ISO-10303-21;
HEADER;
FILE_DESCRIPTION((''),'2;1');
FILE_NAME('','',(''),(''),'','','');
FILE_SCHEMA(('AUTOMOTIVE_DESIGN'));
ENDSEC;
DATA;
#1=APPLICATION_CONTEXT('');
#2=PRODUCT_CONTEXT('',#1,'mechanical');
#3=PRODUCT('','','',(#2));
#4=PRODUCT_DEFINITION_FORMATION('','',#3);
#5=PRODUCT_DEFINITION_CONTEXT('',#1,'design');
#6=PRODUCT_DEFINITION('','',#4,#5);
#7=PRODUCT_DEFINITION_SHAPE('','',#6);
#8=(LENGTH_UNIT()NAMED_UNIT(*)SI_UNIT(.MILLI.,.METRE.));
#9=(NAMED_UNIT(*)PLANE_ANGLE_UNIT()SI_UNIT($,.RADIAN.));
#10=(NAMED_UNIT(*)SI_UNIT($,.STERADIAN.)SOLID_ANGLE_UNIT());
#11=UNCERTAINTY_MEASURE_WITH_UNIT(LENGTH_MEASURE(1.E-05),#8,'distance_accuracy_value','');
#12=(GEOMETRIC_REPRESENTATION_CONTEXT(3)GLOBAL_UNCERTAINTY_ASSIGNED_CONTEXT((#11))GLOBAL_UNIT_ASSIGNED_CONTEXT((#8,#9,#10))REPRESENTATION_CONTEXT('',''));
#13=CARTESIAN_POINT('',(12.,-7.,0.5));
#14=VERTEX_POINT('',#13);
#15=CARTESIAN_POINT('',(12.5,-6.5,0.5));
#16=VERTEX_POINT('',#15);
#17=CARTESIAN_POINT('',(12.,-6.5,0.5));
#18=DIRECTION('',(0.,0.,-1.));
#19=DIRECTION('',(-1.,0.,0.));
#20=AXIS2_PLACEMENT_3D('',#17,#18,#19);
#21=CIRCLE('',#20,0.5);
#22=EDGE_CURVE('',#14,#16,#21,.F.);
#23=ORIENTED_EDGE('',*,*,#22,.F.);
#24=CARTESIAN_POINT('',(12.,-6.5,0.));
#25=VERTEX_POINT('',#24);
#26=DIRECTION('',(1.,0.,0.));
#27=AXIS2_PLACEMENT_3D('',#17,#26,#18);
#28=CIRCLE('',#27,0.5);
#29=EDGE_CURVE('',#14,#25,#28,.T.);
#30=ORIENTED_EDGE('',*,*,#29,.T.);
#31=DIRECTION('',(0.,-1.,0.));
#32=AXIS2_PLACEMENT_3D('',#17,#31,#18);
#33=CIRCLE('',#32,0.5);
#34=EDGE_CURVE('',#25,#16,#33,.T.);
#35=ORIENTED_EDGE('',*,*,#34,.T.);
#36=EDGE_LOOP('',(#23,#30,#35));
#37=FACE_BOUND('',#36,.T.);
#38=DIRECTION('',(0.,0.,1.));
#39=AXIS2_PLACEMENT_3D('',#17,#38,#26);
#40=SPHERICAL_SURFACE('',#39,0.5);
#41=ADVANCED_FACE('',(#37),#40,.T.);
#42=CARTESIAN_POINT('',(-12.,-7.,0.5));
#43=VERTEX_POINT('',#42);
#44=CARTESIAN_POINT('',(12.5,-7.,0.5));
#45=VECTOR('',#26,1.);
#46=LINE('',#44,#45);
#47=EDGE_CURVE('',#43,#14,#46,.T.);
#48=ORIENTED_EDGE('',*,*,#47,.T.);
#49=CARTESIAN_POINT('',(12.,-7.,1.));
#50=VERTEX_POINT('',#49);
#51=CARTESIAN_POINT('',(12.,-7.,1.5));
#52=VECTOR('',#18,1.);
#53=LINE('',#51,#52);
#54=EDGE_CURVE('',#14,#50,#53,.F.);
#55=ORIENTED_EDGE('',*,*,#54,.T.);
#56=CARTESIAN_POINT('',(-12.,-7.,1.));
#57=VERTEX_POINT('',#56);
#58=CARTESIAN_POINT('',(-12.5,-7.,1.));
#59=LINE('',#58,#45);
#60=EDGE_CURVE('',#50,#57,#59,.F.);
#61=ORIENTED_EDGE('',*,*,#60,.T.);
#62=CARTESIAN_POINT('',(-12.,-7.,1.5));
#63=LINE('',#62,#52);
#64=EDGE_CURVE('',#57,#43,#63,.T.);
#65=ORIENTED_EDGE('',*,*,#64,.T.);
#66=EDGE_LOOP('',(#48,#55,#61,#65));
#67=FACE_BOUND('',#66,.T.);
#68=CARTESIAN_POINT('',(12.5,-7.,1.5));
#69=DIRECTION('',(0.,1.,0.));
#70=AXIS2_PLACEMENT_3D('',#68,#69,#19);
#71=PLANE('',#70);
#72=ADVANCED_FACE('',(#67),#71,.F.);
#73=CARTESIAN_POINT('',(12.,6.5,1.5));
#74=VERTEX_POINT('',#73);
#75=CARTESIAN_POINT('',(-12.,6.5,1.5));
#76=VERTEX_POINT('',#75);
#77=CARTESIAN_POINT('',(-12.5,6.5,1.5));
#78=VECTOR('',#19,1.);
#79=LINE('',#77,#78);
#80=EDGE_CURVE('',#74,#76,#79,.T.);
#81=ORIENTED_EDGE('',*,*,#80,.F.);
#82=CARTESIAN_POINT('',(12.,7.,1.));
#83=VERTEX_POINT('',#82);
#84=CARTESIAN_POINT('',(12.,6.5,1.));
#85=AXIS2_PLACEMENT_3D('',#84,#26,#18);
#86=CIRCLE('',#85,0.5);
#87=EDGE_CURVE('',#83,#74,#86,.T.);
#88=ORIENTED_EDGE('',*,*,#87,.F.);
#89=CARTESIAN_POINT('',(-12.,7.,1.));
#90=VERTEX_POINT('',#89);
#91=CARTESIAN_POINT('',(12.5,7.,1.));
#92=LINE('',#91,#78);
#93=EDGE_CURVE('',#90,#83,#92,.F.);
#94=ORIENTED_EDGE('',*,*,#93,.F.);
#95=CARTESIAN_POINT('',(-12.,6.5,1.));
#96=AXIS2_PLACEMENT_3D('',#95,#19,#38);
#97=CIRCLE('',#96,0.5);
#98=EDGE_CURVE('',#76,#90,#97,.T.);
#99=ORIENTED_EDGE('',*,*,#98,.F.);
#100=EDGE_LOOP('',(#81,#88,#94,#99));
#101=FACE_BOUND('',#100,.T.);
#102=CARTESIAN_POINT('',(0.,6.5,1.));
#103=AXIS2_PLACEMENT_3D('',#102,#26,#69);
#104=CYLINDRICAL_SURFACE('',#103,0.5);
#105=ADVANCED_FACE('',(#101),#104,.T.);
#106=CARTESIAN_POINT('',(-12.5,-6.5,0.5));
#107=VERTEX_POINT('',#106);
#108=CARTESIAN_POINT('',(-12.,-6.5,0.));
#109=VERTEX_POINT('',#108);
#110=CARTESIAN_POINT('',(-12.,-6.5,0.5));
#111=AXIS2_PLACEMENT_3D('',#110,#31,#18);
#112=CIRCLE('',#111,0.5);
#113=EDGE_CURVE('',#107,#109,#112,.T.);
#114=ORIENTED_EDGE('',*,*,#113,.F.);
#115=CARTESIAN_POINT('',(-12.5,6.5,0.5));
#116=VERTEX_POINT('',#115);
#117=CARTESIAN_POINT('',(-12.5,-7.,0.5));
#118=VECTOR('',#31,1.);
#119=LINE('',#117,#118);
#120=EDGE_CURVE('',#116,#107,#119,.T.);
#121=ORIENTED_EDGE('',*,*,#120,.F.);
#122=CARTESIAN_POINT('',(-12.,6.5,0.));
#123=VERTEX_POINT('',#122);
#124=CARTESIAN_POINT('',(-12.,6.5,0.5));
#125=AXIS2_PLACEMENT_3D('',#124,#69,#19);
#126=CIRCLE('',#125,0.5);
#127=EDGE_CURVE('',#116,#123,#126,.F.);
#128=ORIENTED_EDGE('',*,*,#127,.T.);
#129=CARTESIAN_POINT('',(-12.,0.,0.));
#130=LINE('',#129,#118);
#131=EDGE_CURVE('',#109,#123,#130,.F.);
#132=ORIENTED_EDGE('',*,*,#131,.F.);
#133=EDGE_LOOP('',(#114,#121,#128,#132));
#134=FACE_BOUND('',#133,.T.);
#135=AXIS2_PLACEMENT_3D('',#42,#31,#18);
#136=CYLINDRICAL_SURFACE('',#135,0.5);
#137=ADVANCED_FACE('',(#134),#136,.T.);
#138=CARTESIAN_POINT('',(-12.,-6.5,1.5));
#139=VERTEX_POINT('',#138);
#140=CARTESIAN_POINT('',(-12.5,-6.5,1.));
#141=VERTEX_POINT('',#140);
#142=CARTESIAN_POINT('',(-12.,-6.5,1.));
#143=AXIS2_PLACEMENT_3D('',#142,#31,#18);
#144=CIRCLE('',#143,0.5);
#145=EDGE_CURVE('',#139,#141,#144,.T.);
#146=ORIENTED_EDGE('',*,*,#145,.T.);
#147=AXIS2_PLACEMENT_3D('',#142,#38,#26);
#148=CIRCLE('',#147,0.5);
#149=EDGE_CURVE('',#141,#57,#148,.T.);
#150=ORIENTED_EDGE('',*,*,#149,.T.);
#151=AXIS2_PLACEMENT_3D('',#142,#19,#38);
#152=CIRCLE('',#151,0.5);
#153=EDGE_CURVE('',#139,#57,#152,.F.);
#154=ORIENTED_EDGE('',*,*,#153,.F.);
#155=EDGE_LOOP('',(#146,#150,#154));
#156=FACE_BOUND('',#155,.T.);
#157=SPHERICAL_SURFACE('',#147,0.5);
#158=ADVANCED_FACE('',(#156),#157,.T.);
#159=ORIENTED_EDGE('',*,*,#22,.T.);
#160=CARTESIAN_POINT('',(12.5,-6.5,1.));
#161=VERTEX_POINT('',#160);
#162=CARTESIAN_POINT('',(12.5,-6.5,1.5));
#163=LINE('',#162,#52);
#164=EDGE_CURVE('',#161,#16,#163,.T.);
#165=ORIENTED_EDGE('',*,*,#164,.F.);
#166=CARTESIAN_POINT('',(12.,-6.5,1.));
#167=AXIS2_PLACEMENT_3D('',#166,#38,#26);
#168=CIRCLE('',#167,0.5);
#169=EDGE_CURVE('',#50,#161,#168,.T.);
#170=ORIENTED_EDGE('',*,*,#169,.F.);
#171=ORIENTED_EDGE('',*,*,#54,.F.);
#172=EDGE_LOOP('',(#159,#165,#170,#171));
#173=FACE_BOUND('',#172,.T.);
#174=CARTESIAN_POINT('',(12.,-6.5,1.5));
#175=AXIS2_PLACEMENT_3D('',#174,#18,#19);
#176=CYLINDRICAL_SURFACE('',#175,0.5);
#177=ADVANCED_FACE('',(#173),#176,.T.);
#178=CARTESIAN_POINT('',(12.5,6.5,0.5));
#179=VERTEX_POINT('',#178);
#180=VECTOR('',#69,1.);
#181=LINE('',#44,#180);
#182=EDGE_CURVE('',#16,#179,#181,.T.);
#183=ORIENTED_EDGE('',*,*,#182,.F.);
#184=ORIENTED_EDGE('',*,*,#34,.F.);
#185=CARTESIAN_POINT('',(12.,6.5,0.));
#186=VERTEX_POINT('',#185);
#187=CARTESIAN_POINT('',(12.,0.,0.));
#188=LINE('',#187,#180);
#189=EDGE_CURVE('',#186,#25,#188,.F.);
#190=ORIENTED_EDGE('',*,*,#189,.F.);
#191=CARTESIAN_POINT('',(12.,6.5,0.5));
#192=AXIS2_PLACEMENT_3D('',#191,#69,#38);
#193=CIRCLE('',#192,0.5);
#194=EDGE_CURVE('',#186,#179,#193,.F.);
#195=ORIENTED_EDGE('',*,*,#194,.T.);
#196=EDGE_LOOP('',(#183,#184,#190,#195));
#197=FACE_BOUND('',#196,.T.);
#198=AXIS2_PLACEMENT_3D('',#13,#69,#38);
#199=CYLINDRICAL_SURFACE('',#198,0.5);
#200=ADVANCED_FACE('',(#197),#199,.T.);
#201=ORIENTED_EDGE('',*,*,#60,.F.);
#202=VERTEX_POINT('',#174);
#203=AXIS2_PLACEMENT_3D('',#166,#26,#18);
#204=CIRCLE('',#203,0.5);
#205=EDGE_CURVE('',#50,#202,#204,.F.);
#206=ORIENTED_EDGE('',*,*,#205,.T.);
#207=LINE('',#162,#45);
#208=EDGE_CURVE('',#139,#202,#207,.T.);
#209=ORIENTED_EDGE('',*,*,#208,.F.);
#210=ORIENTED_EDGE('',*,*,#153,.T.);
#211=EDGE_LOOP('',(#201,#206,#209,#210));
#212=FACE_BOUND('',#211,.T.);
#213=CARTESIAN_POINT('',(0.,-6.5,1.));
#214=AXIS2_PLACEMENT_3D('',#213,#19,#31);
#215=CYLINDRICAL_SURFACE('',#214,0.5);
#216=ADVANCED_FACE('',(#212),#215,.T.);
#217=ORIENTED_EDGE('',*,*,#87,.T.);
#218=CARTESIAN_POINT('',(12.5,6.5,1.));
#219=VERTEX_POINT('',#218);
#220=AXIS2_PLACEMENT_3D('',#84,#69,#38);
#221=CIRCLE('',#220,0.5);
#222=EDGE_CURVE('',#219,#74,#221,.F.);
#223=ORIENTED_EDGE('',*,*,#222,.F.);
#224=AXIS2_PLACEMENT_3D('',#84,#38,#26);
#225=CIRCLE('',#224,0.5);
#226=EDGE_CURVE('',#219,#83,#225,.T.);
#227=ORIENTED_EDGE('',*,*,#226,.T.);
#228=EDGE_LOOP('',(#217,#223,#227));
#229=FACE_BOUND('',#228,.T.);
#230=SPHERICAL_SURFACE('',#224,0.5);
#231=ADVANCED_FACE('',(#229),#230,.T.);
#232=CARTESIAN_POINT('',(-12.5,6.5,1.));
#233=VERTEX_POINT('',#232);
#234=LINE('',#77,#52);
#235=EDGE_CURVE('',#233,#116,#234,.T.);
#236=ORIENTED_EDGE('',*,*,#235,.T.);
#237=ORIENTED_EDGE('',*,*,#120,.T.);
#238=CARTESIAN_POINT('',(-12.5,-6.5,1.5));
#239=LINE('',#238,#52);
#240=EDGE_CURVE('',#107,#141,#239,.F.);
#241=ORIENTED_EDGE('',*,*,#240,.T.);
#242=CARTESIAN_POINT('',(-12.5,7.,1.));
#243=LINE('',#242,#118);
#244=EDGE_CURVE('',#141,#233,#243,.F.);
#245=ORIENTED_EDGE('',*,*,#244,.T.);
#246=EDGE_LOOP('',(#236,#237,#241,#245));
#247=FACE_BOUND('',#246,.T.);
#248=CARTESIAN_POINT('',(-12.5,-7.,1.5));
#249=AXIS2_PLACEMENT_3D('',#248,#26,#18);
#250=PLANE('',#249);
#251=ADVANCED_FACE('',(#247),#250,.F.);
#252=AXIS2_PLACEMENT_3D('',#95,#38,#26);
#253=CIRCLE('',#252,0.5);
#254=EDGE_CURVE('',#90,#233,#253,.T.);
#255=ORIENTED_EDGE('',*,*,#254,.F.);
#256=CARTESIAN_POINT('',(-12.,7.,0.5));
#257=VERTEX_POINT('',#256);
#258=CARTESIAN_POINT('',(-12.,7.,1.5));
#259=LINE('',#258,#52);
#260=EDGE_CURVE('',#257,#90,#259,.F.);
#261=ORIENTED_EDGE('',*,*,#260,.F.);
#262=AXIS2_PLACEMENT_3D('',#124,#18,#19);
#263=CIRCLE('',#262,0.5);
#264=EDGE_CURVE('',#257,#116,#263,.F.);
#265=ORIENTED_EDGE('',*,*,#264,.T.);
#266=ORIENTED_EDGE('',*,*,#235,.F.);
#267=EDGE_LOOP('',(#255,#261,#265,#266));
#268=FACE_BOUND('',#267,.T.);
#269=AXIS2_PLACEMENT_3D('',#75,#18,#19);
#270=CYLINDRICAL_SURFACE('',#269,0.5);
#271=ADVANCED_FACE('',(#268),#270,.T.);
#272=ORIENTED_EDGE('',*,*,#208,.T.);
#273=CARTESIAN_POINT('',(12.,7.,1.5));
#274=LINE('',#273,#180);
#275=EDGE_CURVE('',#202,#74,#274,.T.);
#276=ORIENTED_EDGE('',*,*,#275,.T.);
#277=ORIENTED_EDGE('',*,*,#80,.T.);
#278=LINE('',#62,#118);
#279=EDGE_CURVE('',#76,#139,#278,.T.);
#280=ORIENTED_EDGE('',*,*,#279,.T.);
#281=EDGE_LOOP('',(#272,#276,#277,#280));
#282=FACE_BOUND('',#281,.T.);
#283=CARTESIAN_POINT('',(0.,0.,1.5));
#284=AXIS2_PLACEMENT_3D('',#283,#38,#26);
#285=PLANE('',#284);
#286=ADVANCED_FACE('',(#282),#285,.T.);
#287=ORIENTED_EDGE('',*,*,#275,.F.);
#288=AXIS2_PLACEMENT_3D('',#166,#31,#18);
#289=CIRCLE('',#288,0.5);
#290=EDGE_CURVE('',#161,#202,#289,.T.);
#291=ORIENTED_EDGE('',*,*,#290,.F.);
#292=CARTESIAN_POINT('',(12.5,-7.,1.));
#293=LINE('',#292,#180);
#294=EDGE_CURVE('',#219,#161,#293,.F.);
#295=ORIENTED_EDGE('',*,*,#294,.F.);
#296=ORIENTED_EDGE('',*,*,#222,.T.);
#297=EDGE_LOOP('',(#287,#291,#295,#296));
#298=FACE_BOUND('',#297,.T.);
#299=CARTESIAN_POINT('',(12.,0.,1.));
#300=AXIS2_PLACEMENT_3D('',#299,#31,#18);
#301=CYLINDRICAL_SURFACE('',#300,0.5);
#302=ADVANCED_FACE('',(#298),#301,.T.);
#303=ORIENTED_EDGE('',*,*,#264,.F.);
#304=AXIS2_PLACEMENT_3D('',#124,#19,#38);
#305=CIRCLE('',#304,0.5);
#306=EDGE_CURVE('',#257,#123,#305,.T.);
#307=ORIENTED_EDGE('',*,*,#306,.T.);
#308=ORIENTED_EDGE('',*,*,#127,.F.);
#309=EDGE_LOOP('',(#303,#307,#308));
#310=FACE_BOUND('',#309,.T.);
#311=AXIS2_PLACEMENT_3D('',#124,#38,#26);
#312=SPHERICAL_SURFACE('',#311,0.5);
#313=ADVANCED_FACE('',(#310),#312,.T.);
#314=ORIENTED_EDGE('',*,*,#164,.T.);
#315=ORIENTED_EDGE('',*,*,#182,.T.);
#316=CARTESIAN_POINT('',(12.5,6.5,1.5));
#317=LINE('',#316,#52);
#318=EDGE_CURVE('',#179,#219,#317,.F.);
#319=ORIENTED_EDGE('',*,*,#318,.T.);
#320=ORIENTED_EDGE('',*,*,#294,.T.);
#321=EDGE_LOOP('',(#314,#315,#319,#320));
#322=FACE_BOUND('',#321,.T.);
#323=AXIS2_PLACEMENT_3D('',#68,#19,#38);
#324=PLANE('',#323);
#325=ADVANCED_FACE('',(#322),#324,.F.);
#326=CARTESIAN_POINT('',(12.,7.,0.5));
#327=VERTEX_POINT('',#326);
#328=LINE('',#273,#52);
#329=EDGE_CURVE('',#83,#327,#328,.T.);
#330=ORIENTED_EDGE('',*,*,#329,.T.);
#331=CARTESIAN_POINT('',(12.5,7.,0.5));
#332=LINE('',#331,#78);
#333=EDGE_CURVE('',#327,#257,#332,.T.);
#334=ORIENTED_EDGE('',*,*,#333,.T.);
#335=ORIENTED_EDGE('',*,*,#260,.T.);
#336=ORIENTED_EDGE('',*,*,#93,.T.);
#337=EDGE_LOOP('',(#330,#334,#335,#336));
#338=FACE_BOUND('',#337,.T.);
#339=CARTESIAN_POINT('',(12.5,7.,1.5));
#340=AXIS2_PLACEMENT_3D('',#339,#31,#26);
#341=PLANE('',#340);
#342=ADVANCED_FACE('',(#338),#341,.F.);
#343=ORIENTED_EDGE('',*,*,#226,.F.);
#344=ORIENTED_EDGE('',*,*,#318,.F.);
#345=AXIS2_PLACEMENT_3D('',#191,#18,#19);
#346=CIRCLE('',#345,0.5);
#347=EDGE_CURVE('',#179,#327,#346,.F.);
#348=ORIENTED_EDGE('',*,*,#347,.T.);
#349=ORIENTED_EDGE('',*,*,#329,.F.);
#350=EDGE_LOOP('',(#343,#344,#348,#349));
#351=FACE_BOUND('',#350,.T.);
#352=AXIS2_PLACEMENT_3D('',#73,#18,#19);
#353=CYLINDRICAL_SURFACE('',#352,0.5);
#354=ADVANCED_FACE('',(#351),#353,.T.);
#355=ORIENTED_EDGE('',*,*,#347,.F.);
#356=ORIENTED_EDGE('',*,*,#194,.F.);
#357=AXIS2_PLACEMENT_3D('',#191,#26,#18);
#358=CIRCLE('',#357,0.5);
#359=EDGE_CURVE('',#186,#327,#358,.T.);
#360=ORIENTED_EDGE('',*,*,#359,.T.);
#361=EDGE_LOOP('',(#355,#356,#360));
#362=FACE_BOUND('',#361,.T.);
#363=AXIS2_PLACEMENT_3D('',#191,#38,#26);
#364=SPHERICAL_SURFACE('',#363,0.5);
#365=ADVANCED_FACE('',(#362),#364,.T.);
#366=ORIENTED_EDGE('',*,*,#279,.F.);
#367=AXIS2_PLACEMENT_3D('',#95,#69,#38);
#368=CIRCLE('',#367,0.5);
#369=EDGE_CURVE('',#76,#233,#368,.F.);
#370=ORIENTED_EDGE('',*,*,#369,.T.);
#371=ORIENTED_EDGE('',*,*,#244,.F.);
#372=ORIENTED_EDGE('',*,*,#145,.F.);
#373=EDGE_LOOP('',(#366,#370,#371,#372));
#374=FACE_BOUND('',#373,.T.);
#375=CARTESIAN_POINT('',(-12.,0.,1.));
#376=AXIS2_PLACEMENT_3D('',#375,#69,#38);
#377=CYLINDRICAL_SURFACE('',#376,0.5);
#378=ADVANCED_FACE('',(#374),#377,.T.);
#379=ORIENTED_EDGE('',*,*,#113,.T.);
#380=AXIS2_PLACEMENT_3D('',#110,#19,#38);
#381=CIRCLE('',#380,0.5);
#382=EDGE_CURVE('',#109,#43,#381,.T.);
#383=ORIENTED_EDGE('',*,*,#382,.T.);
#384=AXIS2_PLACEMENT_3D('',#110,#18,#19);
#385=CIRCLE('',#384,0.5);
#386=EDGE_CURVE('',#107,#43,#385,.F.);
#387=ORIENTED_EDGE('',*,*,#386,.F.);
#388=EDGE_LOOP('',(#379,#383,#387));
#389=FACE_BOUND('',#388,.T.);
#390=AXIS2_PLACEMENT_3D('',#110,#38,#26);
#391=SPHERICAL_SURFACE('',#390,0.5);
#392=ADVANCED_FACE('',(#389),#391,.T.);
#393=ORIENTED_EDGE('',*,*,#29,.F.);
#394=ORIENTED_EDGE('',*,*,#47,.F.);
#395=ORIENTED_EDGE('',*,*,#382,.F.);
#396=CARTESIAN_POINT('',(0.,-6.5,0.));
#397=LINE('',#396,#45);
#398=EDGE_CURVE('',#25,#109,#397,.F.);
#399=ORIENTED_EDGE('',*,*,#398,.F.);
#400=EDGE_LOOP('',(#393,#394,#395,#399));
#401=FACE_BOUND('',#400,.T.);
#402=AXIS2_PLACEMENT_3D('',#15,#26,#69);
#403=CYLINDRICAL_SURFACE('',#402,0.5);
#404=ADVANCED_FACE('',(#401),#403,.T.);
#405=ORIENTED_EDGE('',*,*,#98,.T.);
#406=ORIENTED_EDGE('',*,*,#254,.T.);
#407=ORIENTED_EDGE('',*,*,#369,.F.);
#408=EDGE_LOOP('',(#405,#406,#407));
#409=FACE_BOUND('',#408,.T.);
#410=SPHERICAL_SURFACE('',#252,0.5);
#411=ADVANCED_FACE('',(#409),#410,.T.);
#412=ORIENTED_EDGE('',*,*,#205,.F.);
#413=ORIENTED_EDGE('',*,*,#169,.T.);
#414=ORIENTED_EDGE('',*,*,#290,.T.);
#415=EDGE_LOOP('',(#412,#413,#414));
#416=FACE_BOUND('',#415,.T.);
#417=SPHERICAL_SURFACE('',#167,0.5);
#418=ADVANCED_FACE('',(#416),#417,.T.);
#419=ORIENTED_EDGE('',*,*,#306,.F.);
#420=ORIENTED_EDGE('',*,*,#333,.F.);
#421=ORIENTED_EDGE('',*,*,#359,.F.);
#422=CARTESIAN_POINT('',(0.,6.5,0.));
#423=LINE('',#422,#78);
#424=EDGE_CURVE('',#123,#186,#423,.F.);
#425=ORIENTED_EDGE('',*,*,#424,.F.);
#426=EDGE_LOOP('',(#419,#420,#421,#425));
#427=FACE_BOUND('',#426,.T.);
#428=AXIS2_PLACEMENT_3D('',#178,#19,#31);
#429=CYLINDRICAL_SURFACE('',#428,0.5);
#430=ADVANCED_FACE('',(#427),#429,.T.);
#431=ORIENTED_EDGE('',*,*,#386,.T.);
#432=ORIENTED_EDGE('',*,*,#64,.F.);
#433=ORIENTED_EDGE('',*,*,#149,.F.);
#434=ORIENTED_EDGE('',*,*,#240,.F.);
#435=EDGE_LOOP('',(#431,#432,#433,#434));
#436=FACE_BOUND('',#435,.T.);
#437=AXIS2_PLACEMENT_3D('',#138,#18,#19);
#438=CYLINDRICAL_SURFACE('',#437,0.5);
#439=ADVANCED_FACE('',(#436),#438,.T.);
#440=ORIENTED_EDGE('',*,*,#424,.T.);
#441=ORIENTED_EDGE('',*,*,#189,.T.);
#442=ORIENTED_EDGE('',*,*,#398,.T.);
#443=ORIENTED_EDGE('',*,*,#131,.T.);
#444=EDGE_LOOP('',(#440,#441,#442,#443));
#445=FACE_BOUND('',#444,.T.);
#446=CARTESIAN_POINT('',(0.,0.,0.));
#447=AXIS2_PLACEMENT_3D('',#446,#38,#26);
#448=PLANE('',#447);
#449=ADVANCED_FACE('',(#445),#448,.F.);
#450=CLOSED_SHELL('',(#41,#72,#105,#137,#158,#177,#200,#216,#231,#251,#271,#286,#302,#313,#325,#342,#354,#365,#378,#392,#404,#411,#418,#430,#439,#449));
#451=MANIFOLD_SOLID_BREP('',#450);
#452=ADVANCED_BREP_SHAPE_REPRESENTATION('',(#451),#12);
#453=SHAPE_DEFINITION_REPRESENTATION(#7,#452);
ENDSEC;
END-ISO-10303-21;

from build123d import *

# Parameters (mm, degrees)
SKETCH2_W           = 25
SKETCH2_H           = 14
BOSS_EXTRUDE1_DEPTH = 1.5
FILLET1_R           = 0.5


with BuildPart() as part:
    # Sketch2 → Boss-Extrude1 (new body)
    with BuildSketch(Plane.XY):
        Rectangle(SKETCH2_W, SKETCH2_H)
    extrude(amount=BOSS_EXTRUDE1_DEPTH)

    # Fillet1
    fillet1_edges = [part.edges().sort_by_distance(p)[0] for p in [
        (12.5, 0, 1.5),
        (0, 7, 1.5),
        (-12.5, 0, 1.5),
        (0, 7, 0),
        (12.5, 0, 0),
        (0, -7, 0),
        (-12.5, 0, 0),
        (0, -7, 1.5),
        (-12.5, 7, 0.75),
        (12.5, 7, 0.75),
        (12.5, -7, 0.75),
        (-12.5, -7, 0.75),
    ]]
    fillet(fillet1_edges, radius=FILLET1_R)


solid = part.part
